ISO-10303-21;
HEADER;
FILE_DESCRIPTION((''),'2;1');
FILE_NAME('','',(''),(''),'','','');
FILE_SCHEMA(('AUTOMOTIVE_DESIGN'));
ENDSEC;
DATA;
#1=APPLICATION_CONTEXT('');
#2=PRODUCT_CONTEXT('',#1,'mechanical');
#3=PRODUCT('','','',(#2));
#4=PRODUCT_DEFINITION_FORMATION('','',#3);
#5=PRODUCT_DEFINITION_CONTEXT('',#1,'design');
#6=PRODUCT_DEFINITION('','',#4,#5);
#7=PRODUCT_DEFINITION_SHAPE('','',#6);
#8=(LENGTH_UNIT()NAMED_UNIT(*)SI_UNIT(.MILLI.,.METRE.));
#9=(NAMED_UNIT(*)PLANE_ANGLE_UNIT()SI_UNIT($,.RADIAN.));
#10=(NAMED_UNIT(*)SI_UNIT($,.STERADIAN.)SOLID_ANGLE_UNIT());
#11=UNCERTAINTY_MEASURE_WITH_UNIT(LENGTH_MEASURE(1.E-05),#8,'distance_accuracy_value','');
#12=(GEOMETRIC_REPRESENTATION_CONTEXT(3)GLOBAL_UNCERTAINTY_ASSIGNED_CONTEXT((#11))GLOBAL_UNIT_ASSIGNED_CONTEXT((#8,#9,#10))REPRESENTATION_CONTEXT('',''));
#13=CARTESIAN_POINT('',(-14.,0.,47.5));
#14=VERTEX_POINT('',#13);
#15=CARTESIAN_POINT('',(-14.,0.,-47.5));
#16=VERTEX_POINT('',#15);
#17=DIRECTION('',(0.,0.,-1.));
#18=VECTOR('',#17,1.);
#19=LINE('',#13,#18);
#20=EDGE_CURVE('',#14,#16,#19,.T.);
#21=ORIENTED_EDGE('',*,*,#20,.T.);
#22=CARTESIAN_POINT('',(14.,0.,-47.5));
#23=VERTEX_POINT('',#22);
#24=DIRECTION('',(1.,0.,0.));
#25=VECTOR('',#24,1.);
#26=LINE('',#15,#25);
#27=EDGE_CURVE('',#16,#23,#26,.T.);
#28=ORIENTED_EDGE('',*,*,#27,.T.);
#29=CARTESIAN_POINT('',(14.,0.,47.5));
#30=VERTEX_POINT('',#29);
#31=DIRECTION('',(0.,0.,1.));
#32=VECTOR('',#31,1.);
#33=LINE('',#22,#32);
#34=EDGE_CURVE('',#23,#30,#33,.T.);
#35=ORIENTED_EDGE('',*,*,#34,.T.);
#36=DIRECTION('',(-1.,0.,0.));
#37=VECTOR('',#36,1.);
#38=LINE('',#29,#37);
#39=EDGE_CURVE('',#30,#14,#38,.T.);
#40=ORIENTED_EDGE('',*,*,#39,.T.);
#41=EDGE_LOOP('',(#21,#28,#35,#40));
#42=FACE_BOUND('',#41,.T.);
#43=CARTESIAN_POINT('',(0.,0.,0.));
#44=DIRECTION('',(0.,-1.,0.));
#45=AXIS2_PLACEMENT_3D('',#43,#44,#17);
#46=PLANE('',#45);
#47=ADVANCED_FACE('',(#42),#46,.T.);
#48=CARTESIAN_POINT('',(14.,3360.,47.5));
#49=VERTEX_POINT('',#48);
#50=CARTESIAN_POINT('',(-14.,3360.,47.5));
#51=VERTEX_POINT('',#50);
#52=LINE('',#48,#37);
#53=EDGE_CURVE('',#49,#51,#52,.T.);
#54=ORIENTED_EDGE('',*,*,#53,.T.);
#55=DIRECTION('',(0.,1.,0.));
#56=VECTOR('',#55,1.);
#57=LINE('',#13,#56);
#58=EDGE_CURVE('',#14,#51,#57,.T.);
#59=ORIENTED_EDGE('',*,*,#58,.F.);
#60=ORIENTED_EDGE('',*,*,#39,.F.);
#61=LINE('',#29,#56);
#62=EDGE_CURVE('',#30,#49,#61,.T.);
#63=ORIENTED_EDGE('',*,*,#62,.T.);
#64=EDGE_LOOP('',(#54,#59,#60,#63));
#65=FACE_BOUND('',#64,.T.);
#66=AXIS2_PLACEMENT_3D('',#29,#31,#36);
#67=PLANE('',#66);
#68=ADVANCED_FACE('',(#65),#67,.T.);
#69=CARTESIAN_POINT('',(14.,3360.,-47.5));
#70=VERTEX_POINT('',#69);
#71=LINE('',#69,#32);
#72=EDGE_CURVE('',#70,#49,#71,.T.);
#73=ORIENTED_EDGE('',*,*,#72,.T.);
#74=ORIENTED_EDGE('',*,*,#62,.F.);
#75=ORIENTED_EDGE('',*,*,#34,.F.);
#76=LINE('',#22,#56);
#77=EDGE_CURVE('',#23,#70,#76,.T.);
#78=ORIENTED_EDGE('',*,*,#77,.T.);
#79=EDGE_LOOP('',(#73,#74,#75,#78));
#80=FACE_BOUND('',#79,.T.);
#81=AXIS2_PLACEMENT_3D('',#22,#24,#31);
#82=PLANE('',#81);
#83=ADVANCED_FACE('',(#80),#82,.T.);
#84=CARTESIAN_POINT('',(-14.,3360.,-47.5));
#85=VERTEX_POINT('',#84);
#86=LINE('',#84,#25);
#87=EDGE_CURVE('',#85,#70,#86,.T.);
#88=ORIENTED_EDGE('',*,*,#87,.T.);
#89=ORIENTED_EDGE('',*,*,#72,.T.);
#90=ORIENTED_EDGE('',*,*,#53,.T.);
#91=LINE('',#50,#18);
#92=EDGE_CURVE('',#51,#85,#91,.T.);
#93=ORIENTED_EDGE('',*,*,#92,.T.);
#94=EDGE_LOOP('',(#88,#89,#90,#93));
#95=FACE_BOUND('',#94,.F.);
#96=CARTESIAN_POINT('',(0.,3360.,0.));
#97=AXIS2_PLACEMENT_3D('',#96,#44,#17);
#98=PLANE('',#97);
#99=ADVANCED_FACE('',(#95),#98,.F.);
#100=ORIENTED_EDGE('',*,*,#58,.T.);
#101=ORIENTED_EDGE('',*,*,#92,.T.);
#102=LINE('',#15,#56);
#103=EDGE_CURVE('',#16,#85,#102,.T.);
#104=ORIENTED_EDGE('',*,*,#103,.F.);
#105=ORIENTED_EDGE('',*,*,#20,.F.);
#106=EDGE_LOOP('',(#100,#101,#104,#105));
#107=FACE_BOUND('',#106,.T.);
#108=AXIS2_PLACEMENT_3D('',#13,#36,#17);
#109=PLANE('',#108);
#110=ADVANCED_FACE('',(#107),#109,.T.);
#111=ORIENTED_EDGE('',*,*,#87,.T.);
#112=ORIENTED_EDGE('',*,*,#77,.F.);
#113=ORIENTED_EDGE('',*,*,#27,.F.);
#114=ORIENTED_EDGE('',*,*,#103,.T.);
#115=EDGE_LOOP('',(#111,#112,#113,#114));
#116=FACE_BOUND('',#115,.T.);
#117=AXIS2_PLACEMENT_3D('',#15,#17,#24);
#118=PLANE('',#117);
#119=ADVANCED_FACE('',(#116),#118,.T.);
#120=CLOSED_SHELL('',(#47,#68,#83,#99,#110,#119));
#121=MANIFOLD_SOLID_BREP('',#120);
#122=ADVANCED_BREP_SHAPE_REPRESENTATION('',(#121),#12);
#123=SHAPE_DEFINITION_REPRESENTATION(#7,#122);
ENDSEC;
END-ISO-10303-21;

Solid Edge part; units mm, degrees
sketch "Sketch1" plane through (0, 0, 0) normal (0, -1, 0) x (1, 0, 0)
  line L0 (-14, -47.5) -> (14, -47.5)
  line L1 (14, -47.5) -> (14, 47.5)
  line L2 (14, 47.5) -> (-14, 47.5)
  line L3 (-14, 47.5) -> (-14, -47.5)
extrude "Protrusion1" add sketch "Sketch1" against normal blind 3360
properties material "Wood, Pine"
